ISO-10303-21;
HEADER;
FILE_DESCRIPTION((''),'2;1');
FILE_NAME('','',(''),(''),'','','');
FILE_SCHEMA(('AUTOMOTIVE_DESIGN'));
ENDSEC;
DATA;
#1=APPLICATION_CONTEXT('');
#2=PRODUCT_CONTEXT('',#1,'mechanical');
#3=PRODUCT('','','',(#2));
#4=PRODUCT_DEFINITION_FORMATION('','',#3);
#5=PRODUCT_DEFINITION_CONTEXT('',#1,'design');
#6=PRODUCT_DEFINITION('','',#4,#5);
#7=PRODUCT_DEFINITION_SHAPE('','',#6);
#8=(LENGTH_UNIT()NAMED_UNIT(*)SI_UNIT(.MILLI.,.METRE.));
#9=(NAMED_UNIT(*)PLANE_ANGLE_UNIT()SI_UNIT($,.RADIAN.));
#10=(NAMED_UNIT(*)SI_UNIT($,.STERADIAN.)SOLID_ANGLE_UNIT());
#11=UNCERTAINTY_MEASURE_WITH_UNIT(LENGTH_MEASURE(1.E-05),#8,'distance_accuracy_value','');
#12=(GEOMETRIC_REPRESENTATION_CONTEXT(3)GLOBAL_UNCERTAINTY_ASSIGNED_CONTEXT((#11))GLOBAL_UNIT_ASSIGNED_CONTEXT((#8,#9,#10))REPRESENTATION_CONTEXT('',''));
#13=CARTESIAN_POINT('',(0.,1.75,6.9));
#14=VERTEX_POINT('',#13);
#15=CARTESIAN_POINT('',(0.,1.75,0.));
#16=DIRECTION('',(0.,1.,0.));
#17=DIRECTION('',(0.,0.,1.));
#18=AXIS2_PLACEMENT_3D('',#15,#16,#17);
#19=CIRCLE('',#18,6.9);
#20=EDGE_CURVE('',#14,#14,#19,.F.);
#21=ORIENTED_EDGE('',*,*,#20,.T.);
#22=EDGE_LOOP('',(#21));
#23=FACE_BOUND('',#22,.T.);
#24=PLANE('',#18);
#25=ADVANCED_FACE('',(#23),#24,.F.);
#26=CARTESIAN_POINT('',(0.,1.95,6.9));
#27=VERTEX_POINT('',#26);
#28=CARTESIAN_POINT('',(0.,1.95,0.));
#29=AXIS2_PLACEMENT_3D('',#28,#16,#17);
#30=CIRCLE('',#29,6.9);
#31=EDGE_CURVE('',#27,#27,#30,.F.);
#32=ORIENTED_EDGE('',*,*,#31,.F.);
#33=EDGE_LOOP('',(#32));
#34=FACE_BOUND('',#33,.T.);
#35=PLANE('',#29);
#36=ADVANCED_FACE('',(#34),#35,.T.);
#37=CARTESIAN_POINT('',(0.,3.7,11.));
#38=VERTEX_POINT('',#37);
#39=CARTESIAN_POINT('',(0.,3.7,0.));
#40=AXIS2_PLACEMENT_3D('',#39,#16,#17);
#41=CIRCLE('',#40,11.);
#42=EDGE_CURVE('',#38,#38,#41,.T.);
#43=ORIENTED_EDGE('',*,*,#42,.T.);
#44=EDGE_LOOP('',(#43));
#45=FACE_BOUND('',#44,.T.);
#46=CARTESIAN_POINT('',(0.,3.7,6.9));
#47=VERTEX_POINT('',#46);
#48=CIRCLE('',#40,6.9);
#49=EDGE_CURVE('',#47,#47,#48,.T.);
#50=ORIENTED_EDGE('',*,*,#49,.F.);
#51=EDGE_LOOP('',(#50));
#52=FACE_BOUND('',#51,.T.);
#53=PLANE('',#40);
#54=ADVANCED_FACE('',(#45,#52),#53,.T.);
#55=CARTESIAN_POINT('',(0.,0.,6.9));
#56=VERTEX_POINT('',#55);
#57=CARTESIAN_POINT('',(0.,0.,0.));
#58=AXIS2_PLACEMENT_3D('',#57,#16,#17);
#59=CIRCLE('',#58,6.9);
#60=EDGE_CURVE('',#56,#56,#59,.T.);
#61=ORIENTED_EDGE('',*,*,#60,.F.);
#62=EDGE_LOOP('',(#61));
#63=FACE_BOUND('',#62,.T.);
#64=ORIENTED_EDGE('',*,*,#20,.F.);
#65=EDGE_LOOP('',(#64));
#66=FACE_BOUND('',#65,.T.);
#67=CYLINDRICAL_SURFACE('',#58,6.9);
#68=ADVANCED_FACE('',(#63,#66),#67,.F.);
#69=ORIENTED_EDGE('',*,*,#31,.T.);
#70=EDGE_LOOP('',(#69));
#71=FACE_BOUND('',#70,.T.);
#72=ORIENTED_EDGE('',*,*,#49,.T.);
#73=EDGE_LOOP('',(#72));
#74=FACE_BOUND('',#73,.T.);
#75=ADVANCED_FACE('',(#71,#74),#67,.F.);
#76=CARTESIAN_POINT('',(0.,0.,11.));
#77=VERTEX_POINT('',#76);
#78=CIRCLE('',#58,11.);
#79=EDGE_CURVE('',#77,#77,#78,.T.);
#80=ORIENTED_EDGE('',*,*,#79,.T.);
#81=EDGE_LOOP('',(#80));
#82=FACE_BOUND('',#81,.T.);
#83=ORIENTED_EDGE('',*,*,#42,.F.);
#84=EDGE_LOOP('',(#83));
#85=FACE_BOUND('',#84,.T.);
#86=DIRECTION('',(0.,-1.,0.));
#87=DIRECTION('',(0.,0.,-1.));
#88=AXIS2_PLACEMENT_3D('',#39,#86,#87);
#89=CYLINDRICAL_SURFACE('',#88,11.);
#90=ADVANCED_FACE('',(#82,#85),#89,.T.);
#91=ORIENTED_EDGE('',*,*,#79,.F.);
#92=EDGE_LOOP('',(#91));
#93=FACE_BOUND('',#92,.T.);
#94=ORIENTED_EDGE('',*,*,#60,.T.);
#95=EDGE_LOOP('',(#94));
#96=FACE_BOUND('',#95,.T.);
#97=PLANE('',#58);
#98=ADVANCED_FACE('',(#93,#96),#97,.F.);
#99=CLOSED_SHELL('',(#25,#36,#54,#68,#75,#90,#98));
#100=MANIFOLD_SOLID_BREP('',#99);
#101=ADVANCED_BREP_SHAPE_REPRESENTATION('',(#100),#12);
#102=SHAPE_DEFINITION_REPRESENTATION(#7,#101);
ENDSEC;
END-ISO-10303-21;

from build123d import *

# Parameters (mm, degrees)
SKETCH1_R                = 11
BOSS_EXTRUDE1_DEPTH      = 3.7
SKETCH2_R                = 6.9
CUT_EXTRUDE1_DEPTH       = 3.7
BOSS_EXTRUDE2_DEPTH      = 0.1
BOSS_EXTRUDE2_DEPTH_BACK = 0.1
SKETCH3_R                = 8.700899362


with BuildPart() as part:
    # Sketch1 → Boss-Extrude1 (new body)
    with BuildSketch(Plane(origin=(0, 0, 0), x_dir=(1, 0, 0), z_dir=(0, 1, 0))):
        with Locations(Location((0, 0, 0), (0, 0, 270))):
            Circle(SKETCH1_R)
    extrude(amount=BOSS_EXTRUDE1_DEPTH)

    # Sketch2 → Cut-Extrude1 (cut)
    with BuildSketch(Plane(origin=(0, 3.7, 0), x_dir=(1, 0, 0), z_dir=(0, 1, 0))):
        with Locations(Location((0, 0, 0), (0, 0, 270))):
            Circle(SKETCH2_R)
    extrude(amount=-CUT_EXTRUDE1_DEPTH, mode=Mode.SUBTRACT)

    # Sketch3 → Boss-Extrude2 (add, two sides: drawn at the far end of the back side and taken through both)
    with BuildSketch(Plane(origin=(0, 1.85, 0), x_dir=(1, 0, 0), z_dir=(0, 1, 0)).offset(-BOSS_EXTRUDE2_DEPTH_BACK)):
        Circle(SKETCH3_R)
    extrude(amount=BOSS_EXTRUDE2_DEPTH + BOSS_EXTRUDE2_DEPTH_BACK)


solid = part.part
